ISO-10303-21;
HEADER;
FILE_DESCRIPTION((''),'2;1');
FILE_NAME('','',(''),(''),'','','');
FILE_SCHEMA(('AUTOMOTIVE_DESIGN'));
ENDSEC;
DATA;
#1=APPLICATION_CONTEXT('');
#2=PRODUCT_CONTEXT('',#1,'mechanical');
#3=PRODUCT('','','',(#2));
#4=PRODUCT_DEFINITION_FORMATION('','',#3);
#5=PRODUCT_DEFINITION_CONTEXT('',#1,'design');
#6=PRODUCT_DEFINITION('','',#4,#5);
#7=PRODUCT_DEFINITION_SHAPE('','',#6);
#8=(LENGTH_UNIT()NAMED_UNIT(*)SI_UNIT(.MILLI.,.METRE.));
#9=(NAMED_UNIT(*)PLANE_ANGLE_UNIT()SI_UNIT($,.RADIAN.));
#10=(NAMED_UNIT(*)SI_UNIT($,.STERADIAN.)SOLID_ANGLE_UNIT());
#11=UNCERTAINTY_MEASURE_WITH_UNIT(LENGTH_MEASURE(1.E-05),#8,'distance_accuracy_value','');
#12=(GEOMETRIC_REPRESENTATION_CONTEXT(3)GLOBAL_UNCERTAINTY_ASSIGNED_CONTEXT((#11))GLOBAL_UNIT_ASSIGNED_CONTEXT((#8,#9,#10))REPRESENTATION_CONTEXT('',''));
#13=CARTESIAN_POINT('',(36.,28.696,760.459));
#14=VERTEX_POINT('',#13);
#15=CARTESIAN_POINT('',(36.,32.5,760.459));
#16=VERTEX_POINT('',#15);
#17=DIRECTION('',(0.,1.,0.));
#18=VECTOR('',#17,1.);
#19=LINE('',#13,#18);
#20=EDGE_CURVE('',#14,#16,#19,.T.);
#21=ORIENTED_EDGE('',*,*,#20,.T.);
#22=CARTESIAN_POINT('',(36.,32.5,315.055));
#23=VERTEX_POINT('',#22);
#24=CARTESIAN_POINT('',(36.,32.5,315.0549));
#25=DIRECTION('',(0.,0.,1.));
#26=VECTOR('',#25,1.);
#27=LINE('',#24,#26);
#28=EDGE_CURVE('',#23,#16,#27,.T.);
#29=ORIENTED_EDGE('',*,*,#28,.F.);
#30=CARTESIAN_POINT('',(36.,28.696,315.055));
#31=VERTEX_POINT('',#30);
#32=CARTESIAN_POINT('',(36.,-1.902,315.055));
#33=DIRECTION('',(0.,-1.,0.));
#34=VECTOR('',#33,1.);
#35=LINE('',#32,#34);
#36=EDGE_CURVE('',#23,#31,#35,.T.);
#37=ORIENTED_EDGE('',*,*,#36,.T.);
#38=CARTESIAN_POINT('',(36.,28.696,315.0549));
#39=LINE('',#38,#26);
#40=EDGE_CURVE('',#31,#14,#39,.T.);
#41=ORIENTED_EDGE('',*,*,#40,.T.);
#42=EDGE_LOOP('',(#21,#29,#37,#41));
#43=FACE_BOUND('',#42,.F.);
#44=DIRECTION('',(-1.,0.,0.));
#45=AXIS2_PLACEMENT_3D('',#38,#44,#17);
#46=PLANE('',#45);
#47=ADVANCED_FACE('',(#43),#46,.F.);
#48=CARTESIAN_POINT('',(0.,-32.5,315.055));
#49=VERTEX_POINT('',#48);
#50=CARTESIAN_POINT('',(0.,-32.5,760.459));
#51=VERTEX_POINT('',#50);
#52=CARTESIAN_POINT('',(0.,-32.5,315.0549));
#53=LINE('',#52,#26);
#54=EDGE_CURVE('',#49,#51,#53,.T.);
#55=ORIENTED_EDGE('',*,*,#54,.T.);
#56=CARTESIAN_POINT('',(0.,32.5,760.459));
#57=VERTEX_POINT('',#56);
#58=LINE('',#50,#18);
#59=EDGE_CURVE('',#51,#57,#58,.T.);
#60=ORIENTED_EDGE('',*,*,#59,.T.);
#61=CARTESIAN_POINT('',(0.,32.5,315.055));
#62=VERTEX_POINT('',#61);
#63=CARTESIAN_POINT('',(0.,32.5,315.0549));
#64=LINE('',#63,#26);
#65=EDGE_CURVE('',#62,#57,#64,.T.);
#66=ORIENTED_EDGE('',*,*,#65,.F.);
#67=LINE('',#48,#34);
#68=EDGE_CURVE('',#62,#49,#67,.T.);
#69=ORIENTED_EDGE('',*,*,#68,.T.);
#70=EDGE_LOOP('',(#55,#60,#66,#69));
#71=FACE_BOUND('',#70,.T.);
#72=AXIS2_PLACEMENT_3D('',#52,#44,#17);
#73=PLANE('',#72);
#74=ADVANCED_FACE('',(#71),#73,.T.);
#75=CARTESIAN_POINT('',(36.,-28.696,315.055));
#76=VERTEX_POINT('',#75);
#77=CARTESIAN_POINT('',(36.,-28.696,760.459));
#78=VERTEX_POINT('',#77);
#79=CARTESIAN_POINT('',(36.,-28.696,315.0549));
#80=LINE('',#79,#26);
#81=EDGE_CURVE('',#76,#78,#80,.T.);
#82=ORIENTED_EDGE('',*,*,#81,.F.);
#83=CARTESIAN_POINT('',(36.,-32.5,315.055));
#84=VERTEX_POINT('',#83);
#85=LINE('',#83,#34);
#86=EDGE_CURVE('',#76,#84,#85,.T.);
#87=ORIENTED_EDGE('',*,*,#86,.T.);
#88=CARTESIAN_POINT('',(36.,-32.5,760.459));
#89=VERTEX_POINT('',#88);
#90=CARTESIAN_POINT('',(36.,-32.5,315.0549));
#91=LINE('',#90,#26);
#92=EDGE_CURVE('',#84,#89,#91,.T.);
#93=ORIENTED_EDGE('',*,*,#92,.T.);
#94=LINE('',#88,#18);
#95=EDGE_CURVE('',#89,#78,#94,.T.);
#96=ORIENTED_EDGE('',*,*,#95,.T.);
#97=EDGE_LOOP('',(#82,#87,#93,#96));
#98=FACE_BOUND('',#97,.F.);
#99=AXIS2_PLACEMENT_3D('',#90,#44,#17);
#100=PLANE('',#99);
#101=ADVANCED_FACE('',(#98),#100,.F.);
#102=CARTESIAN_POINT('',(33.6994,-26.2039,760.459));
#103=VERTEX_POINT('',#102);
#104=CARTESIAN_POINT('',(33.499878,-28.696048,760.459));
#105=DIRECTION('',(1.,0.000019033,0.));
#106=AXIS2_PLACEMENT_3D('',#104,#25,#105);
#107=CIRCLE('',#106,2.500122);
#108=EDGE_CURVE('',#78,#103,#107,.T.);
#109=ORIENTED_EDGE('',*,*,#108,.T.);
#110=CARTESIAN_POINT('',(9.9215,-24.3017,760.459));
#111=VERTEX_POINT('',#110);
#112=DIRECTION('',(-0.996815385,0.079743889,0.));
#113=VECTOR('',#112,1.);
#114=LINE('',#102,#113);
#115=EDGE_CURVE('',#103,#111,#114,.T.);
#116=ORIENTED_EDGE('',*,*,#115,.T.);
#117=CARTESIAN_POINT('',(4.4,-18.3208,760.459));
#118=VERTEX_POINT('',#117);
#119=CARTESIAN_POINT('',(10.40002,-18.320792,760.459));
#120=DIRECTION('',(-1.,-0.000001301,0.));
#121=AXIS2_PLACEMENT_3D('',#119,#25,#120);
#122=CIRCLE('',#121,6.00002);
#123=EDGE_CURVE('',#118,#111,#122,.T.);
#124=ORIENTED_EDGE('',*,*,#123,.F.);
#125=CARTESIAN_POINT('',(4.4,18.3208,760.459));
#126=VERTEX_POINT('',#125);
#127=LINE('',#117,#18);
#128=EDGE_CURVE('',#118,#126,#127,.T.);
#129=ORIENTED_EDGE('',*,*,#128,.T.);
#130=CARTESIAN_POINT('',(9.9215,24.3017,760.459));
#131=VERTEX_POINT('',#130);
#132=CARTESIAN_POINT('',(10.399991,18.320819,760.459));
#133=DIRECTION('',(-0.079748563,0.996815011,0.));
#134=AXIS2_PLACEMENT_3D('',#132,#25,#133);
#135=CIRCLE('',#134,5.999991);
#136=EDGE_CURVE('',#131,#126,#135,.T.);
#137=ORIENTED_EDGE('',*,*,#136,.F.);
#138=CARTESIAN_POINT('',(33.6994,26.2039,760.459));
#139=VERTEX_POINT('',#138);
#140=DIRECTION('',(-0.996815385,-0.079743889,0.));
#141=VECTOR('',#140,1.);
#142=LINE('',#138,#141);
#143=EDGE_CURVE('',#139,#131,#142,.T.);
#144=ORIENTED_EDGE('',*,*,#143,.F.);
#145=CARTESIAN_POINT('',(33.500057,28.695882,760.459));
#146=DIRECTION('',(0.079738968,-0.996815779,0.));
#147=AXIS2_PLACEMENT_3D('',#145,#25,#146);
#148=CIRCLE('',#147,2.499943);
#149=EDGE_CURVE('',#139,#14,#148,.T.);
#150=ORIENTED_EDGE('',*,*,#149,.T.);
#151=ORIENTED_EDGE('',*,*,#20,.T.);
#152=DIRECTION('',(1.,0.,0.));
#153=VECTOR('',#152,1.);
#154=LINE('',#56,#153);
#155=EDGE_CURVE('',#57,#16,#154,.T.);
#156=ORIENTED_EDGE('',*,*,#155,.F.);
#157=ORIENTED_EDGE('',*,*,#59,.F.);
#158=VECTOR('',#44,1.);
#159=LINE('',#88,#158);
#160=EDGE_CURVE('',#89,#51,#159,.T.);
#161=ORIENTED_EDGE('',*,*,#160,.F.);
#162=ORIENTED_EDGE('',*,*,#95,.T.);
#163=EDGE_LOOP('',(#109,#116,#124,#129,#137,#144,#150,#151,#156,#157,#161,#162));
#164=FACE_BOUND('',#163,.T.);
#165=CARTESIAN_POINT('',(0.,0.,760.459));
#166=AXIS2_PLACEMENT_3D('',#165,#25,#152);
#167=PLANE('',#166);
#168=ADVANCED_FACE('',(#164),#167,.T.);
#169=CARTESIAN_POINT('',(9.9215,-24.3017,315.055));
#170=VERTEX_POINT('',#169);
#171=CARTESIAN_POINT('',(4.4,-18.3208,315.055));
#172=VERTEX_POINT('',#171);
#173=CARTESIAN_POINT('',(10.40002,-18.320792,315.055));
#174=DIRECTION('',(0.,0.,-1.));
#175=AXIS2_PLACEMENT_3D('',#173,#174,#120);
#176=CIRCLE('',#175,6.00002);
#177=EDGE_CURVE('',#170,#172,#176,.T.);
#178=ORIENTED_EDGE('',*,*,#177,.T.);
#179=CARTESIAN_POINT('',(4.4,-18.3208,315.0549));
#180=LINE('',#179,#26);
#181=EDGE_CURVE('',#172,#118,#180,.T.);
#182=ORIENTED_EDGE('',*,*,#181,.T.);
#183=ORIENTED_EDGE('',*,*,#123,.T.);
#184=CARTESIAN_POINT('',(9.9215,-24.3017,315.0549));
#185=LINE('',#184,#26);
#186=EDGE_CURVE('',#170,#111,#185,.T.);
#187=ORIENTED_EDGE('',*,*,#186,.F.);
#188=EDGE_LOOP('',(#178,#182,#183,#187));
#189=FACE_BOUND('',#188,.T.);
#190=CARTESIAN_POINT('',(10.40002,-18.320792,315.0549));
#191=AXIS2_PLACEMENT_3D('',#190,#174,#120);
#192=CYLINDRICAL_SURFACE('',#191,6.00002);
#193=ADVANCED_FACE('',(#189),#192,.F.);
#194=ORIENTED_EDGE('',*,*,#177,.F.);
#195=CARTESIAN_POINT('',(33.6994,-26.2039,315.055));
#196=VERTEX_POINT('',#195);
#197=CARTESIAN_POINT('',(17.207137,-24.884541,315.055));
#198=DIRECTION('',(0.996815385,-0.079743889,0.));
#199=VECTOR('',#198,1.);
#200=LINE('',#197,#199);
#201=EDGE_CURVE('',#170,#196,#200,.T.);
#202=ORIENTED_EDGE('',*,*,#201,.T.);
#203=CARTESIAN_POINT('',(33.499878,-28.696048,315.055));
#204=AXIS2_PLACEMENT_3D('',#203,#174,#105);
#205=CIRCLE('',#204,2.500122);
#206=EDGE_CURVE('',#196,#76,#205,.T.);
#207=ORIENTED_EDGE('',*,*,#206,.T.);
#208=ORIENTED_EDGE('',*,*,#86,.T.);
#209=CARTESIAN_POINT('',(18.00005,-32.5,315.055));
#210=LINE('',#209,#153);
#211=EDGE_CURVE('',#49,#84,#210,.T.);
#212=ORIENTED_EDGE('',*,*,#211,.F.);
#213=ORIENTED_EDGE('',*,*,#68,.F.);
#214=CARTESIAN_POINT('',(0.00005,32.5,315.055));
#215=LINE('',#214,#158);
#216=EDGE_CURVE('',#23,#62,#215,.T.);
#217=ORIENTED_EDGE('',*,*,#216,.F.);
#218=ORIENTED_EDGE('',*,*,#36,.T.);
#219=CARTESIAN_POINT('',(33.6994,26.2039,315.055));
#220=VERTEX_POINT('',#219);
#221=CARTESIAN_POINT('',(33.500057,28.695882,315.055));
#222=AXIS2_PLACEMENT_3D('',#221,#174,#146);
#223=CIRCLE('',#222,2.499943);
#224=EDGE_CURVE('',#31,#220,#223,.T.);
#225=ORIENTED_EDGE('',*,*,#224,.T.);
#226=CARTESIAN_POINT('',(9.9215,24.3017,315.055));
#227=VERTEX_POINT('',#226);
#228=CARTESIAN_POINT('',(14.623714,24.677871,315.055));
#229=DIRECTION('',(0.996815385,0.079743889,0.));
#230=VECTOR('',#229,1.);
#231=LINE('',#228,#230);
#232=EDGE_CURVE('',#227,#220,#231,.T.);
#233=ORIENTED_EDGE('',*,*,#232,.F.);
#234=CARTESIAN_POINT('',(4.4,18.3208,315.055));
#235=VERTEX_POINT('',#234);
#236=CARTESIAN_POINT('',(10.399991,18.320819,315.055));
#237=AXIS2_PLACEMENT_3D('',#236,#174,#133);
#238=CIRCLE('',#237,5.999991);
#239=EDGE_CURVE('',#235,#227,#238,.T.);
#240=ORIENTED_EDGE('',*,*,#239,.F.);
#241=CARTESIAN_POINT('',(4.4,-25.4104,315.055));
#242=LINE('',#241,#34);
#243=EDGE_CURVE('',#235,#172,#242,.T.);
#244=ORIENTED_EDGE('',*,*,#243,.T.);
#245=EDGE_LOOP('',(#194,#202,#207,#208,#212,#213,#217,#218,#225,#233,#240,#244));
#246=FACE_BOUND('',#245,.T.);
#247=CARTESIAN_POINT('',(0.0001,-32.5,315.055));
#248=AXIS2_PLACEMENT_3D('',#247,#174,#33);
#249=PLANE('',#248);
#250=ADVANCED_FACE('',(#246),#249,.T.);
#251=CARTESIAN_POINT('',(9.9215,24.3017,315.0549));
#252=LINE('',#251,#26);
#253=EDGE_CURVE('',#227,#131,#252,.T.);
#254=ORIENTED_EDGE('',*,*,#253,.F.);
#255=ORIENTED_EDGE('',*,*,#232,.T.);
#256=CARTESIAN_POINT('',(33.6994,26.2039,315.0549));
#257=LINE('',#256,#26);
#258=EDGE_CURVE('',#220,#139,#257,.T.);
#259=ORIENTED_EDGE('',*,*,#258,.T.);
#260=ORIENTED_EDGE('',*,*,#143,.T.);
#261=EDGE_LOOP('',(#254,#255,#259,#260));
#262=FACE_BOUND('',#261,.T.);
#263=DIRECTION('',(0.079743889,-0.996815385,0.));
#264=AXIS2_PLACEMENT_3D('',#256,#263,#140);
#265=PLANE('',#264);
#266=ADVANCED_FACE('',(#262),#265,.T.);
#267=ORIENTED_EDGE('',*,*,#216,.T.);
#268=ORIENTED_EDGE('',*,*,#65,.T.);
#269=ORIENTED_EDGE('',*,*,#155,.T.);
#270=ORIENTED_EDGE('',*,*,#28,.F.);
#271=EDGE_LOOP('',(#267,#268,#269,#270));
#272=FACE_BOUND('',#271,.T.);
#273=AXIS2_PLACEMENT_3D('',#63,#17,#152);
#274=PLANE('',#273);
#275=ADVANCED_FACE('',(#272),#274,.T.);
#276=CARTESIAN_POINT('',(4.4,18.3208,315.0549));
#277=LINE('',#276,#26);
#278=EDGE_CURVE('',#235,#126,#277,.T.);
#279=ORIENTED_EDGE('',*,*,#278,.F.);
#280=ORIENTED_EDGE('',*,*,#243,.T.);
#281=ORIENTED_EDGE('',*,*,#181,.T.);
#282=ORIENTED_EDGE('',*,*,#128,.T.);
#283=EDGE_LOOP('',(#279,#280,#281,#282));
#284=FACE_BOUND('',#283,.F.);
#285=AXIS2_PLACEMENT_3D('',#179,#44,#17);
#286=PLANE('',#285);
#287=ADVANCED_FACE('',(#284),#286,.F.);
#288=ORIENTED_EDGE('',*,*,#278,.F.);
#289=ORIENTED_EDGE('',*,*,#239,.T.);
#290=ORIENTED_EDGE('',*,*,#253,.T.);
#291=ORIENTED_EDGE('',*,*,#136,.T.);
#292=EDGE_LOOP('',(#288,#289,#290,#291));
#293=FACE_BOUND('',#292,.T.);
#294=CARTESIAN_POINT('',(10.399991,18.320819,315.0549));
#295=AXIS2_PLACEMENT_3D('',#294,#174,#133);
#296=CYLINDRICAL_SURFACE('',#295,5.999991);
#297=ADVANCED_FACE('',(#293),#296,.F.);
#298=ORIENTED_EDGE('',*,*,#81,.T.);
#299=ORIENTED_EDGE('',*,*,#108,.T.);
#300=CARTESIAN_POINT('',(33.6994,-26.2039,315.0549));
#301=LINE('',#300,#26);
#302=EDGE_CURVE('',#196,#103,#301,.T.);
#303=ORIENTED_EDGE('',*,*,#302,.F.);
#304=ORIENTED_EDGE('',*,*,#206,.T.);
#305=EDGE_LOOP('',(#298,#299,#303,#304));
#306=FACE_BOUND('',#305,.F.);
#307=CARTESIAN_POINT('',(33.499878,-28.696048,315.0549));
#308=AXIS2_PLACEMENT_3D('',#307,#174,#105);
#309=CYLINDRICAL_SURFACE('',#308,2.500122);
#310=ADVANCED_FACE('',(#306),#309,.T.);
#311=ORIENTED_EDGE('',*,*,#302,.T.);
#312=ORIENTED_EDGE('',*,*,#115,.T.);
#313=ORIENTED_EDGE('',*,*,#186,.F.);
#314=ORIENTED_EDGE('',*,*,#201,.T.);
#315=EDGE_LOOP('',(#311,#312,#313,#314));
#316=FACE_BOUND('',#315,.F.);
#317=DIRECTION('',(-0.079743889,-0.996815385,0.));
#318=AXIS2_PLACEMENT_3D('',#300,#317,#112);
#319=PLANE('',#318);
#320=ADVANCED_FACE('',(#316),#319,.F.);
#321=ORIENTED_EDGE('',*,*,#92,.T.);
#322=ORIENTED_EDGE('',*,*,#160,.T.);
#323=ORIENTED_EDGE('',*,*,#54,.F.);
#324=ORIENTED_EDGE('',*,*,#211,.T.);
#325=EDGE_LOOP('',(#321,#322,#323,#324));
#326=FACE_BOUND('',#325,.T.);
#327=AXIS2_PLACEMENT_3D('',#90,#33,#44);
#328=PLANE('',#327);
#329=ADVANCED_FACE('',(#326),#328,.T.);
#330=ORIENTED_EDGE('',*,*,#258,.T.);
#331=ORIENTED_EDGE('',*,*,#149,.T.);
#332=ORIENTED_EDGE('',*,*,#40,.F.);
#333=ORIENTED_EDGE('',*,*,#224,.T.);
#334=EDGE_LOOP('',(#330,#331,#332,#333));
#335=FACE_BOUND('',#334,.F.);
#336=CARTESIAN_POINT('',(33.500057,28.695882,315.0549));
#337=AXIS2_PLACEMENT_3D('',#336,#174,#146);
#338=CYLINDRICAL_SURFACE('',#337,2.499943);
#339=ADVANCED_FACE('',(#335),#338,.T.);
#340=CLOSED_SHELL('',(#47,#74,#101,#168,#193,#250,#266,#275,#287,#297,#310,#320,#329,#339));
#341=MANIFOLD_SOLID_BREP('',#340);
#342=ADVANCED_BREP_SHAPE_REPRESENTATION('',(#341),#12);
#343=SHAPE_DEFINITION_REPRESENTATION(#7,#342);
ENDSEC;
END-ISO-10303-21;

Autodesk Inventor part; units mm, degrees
ref_plane "Начальная плоскость" through (0, 0, 315.0549) normal (0, 0, 1) x (1, 0, 0)
ref_plane "Конечная плоскость" through (0, 0, 760.459) normal (0, 0, 1) x (1, 0, 0)
sketch "Эскиз" plane through (0, 0, 0) normal (0, 0, 1) x (1, 0, 0)
  line L0 (36, -32.5) -> (0, -32.5)
  line L1 (36, -32.5) -> (36, -28.696)
  line L2 (33.6994, -26.2039) -> (9.9215, -24.3017)
  line L3 (4.4, -18.3208) -> (4.4, 18.3208)
  line L4 (33.6994, 26.2039) -> (9.9215, 24.3017)
  line L5 (36, 28.696) -> (36, 32.5)
  line L6 (0, 32.5) -> (36, 32.5)
  line L7 (0, -32.5) -> (0, 32.5)
  arc A0 (4.4, -18.3208) -> (9.9215, -24.3017) centre (10.4, -18.3208) ccw
  arc A1 (9.9215, 24.3017) -> (4.4, 18.3208) centre (10.4, 18.3208) ccw
  arc A2 (36, -28.696) -> (33.6994, -26.2039) centre (33.5, -28.696) ccw
  arc A3 (33.6994, 26.2039) -> (36, 28.696) centre (33.5, 28.696) ccw
  line L8 (0, 45.5) -> (0, -45.5) construction
  line L9 (-7.2974, 0) -> (43.7847, 0) construction
  point P0 (36, -26.388)
  point P1 (4.4, -23.86)
  point P2 (4.4, 23.86)
  point P3 (36, 26.388)
  dimension "d3" = 36
  dimension "d5" = 4.4
  dimension "d7" = 65
  dimension "d9" = 8.64
  dimension "d11" = 8.64
  dimension "d13" = 6.112
  dimension "d15" = 6.112
  dimension "d22" = 6
  dimension "d23" = 2.5
  dimension "d24" = 32.5
  dimension "d25" = 0
extrude "Тело" add sketch "Эскиз" along normal up to surface (445.4041 mm away) from surface at 315.0549
sketch "Sketch3" plane through (0, 0, 0) normal (0, 0, 1) x (1, 0, 0)
  line L0 (0, 0) -> (10, 0)
ref_plane "Work Plane7" through (0, 0, 0) normal (0, -1, 0) x (1, 0, 0)
sketch "Sketch4" plane through (0, 0, 0) normal (0, -1, 0) x (1, 0, 0)
  line L0 (-2, 315.0549) -> (12, 315.0549)
  line L1 (-2, 760.459) -> (12, 760.459)
  dimension "d29" = 445.4041
ref_plane "РабПлоскость8" through (0.0001, -32.5, 315.055) normal (0, 0, -1) x (-1, 0, 0)
split "Разделение1" plane through (0.0001, -32.5, 315.055) removes the side toward (0, 0, -1)
ref_plane "РабПлоскость9" through (3.804, 174.672, 760.459) normal (0, 0, 1) x (1, 0, 0)
split "Разделение2" plane through (3.804, 174.672, 760.459) removes the side toward (0, 0, 1)
equation "\"d3\" = b"
equation "\"d5\" = t1"
equation "\"d7\" = ParH"
equation "\"d9\" = msp_x1 + t2"
equation "\"d11\" = msp_x1 + t2"
equation "\"d13\" = -msp_x2 + t2"
equation "\"d15\" = -msp_x2 + t2"
equation "\"d22\" = R"
equation "\"d23\" = R1"
equation "\"d24\" = 0.5 * d7"
equation "\"d16\" = G_L"
equation "\"R1\" = 2.5"
equation "\"R\" = 6"
equation "\"t1\" = 4.4"
equation "\"t2\" = 7.2"
equation "\"ParH\" = 65"
equation "\"b\" = 36"
equation "\"msp_x1\" = 0.04 * b"
equation "\"msp_x2\" = -0.08 * t1 + 0.04 * b"
equation "\"G_L\" = d29"
equation "\"ex\" = 0"
equation "\"G_OFFSET_START\" = -315.0549"
equation "\"G_OFFSET_END\" = -36"
equation "\"d26\" = -G_OFFSET_START"
equation "\"d27\" = G_OFFSET_END + B_L"
equation "\"B_L\" = 796.459"
properties part number "Швеллер 6.5U-445,4 ГОСТ 8240-97" material "Сталь, мягкая"
